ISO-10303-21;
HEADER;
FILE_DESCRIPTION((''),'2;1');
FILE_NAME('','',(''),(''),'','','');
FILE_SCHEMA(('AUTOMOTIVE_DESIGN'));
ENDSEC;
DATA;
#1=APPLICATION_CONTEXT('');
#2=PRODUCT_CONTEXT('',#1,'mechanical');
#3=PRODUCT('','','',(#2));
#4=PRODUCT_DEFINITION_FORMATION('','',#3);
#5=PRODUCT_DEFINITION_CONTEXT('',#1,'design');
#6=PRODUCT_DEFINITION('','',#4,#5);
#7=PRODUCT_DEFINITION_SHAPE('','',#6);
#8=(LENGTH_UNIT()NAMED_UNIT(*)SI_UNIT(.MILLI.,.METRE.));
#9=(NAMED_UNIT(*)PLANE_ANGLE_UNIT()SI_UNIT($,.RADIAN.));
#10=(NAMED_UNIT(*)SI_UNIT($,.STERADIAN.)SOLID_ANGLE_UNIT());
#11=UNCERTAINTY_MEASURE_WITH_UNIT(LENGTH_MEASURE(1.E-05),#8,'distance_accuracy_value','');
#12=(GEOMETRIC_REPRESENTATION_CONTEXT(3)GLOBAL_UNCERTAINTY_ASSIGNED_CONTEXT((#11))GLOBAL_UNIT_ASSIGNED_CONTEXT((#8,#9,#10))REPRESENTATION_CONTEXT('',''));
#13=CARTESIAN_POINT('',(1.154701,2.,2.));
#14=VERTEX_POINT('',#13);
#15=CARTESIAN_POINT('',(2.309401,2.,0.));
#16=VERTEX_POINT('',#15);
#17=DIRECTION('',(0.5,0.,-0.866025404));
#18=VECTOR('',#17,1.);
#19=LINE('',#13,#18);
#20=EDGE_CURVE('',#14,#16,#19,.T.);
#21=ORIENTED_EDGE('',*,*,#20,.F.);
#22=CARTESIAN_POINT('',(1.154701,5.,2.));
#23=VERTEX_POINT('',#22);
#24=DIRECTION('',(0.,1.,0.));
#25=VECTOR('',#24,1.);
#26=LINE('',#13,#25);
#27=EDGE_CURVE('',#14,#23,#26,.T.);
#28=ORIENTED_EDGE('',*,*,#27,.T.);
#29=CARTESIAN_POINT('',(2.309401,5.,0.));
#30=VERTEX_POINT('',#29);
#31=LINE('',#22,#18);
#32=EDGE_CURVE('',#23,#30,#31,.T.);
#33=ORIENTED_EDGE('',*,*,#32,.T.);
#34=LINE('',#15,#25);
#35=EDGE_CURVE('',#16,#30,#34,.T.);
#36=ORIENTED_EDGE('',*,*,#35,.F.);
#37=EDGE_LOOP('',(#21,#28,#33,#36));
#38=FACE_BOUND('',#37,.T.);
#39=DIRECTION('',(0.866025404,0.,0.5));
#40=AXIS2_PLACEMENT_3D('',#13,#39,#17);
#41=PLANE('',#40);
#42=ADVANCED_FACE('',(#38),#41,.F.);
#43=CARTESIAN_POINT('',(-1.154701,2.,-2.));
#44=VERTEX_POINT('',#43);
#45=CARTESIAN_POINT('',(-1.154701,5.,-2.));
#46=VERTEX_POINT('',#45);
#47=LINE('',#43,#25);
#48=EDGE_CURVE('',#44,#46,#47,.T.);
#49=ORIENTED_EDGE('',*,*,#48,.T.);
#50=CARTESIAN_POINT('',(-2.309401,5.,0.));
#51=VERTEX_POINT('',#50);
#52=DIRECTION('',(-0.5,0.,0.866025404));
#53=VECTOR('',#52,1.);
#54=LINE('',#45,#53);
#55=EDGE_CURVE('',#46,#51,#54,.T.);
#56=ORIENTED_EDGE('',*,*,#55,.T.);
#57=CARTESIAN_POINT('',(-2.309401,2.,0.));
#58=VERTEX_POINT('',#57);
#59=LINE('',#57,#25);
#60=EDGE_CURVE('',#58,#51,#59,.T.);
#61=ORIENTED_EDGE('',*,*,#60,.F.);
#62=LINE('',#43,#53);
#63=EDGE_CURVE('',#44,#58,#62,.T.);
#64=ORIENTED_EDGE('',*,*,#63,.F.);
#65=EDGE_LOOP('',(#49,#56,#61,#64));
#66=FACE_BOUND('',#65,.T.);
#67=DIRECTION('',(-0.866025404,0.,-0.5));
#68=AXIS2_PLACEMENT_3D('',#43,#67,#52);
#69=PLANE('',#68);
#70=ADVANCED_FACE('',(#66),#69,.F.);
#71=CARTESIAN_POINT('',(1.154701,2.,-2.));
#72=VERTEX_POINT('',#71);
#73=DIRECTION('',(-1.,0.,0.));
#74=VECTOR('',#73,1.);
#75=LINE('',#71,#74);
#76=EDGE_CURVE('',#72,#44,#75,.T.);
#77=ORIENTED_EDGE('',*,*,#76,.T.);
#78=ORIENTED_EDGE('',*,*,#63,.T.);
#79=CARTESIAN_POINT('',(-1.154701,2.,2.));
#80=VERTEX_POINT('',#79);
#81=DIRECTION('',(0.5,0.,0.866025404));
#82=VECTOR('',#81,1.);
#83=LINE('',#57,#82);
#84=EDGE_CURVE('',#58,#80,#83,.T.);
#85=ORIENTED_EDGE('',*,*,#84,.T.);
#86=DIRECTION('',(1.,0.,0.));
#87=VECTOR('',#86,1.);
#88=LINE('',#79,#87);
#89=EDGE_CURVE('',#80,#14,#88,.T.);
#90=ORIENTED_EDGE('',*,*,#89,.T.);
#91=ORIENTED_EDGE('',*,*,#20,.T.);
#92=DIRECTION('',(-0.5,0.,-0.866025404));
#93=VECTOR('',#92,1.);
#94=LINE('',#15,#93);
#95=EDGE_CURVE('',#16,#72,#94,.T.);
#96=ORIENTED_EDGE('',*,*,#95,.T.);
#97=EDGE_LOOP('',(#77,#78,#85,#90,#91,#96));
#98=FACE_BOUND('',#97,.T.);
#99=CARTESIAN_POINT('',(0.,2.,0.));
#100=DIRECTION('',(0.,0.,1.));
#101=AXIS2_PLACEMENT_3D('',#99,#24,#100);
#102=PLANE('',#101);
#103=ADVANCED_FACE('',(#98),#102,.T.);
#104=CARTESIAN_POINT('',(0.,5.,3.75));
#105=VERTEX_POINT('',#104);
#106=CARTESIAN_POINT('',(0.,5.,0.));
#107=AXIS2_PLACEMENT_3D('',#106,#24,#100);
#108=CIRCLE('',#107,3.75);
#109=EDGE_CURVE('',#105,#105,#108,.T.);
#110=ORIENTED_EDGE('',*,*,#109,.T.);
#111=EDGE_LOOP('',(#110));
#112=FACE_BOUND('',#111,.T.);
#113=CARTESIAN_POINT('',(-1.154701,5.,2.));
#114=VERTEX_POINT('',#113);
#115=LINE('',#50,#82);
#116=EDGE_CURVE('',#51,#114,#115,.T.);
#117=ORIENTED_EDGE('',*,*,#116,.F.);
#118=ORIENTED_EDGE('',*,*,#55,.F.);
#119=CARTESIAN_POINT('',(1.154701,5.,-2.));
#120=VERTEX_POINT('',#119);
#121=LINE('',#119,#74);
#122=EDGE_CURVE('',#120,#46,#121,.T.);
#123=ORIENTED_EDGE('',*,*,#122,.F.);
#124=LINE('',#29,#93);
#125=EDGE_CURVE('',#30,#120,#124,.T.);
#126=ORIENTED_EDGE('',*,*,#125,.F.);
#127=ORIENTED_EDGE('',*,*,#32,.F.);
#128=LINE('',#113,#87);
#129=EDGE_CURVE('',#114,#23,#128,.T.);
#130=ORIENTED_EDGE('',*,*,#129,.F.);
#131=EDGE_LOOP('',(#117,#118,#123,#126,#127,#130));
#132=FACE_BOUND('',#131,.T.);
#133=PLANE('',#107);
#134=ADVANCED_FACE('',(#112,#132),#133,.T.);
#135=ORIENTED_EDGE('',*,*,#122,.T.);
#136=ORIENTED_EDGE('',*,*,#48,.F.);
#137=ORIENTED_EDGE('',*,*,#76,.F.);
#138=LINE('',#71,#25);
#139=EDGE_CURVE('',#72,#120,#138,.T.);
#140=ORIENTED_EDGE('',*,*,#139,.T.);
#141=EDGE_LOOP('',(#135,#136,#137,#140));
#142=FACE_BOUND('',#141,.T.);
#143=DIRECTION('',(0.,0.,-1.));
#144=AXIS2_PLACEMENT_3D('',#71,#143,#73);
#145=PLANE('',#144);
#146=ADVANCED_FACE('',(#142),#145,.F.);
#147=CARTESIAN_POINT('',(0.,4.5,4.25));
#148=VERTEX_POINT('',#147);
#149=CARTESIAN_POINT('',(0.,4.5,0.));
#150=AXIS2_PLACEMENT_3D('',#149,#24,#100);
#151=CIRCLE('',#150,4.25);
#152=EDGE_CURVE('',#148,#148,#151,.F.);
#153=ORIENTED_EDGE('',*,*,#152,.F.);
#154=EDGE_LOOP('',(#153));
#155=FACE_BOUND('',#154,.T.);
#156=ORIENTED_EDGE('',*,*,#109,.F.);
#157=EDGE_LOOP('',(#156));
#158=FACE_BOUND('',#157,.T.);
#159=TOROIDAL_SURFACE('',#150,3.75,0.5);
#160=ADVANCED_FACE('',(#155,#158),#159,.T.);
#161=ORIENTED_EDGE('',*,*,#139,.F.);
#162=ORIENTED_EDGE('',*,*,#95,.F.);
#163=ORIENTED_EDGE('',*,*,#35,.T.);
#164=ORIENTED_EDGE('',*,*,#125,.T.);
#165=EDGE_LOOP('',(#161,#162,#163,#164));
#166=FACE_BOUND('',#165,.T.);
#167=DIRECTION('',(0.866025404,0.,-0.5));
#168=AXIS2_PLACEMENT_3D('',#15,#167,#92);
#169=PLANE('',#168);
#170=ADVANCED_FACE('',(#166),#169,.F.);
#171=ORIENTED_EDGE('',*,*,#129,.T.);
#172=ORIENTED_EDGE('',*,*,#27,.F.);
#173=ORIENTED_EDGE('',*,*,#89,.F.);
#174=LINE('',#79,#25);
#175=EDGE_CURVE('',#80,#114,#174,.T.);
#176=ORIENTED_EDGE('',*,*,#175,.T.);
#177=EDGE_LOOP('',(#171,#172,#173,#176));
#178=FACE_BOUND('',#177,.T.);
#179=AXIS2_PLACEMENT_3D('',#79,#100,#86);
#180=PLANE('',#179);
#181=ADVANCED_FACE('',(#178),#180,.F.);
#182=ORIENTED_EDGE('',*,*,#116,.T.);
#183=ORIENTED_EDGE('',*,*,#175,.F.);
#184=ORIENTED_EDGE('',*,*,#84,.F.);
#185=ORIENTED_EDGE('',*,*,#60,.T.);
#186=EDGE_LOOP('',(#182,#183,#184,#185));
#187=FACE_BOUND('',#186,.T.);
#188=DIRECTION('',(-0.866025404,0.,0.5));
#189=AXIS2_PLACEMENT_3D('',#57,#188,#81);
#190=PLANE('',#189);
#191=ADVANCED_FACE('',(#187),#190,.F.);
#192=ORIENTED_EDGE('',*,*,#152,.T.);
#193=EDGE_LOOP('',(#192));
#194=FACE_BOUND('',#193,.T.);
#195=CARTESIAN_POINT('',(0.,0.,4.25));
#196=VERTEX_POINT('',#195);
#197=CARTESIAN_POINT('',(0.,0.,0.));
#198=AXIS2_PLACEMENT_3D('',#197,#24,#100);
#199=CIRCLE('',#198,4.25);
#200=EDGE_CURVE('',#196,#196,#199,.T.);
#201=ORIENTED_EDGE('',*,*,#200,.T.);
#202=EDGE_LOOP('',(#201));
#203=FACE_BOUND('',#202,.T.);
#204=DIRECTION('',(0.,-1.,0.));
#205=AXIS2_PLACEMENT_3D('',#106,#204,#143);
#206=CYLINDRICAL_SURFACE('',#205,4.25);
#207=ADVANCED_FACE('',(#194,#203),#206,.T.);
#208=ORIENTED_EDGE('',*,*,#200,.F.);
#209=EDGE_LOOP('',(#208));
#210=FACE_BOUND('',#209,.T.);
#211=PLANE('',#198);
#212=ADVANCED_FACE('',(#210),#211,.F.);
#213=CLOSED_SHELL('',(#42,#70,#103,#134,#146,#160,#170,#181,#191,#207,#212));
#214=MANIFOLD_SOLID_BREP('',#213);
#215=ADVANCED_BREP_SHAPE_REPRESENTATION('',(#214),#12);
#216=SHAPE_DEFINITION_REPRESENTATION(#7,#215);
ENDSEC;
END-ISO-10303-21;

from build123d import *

# Parameters (mm, degrees)
SKETCH1_R           = 4.25
BOSS_EXTRUDE1_DEPTH = 5
CUT_EXTRUDE1_DEPTH  = 3
FILLET1_R           = 0.5


with BuildPart() as part:
    # Sketch1 → Boss-Extrude1 (new body)
    with BuildSketch(Plane(origin=(0, 0, 0), x_dir=(1, 0, 0), z_dir=(0, 1, 0))):
        Circle(SKETCH1_R)
    extrude(amount=BOSS_EXTRUDE1_DEPTH)

    # Sketch2 → Cut-Extrude1 (cut)
    with BuildSketch(Plane(origin=(0, 5, 0), x_dir=(1, 0, 0), z_dir=(0, 1, 0))):
        Polygon((-2.309401077, 0), (-1.154700538, -2), (1.154700538, -2), (2.309401077, 0), (1.154700538, 2), (-1.154700538, 2), align=None)
    extrude(amount=-CUT_EXTRUDE1_DEPTH, mode=Mode.SUBTRACT)

    # Fillet1
    fillet1_edges = [part.edges().sort_by_distance(p)[0] for p in [
        (-4.25, 5, 0),
    ]]
    fillet(fillet1_edges, radius=FILLET1_R)


solid = part.part
